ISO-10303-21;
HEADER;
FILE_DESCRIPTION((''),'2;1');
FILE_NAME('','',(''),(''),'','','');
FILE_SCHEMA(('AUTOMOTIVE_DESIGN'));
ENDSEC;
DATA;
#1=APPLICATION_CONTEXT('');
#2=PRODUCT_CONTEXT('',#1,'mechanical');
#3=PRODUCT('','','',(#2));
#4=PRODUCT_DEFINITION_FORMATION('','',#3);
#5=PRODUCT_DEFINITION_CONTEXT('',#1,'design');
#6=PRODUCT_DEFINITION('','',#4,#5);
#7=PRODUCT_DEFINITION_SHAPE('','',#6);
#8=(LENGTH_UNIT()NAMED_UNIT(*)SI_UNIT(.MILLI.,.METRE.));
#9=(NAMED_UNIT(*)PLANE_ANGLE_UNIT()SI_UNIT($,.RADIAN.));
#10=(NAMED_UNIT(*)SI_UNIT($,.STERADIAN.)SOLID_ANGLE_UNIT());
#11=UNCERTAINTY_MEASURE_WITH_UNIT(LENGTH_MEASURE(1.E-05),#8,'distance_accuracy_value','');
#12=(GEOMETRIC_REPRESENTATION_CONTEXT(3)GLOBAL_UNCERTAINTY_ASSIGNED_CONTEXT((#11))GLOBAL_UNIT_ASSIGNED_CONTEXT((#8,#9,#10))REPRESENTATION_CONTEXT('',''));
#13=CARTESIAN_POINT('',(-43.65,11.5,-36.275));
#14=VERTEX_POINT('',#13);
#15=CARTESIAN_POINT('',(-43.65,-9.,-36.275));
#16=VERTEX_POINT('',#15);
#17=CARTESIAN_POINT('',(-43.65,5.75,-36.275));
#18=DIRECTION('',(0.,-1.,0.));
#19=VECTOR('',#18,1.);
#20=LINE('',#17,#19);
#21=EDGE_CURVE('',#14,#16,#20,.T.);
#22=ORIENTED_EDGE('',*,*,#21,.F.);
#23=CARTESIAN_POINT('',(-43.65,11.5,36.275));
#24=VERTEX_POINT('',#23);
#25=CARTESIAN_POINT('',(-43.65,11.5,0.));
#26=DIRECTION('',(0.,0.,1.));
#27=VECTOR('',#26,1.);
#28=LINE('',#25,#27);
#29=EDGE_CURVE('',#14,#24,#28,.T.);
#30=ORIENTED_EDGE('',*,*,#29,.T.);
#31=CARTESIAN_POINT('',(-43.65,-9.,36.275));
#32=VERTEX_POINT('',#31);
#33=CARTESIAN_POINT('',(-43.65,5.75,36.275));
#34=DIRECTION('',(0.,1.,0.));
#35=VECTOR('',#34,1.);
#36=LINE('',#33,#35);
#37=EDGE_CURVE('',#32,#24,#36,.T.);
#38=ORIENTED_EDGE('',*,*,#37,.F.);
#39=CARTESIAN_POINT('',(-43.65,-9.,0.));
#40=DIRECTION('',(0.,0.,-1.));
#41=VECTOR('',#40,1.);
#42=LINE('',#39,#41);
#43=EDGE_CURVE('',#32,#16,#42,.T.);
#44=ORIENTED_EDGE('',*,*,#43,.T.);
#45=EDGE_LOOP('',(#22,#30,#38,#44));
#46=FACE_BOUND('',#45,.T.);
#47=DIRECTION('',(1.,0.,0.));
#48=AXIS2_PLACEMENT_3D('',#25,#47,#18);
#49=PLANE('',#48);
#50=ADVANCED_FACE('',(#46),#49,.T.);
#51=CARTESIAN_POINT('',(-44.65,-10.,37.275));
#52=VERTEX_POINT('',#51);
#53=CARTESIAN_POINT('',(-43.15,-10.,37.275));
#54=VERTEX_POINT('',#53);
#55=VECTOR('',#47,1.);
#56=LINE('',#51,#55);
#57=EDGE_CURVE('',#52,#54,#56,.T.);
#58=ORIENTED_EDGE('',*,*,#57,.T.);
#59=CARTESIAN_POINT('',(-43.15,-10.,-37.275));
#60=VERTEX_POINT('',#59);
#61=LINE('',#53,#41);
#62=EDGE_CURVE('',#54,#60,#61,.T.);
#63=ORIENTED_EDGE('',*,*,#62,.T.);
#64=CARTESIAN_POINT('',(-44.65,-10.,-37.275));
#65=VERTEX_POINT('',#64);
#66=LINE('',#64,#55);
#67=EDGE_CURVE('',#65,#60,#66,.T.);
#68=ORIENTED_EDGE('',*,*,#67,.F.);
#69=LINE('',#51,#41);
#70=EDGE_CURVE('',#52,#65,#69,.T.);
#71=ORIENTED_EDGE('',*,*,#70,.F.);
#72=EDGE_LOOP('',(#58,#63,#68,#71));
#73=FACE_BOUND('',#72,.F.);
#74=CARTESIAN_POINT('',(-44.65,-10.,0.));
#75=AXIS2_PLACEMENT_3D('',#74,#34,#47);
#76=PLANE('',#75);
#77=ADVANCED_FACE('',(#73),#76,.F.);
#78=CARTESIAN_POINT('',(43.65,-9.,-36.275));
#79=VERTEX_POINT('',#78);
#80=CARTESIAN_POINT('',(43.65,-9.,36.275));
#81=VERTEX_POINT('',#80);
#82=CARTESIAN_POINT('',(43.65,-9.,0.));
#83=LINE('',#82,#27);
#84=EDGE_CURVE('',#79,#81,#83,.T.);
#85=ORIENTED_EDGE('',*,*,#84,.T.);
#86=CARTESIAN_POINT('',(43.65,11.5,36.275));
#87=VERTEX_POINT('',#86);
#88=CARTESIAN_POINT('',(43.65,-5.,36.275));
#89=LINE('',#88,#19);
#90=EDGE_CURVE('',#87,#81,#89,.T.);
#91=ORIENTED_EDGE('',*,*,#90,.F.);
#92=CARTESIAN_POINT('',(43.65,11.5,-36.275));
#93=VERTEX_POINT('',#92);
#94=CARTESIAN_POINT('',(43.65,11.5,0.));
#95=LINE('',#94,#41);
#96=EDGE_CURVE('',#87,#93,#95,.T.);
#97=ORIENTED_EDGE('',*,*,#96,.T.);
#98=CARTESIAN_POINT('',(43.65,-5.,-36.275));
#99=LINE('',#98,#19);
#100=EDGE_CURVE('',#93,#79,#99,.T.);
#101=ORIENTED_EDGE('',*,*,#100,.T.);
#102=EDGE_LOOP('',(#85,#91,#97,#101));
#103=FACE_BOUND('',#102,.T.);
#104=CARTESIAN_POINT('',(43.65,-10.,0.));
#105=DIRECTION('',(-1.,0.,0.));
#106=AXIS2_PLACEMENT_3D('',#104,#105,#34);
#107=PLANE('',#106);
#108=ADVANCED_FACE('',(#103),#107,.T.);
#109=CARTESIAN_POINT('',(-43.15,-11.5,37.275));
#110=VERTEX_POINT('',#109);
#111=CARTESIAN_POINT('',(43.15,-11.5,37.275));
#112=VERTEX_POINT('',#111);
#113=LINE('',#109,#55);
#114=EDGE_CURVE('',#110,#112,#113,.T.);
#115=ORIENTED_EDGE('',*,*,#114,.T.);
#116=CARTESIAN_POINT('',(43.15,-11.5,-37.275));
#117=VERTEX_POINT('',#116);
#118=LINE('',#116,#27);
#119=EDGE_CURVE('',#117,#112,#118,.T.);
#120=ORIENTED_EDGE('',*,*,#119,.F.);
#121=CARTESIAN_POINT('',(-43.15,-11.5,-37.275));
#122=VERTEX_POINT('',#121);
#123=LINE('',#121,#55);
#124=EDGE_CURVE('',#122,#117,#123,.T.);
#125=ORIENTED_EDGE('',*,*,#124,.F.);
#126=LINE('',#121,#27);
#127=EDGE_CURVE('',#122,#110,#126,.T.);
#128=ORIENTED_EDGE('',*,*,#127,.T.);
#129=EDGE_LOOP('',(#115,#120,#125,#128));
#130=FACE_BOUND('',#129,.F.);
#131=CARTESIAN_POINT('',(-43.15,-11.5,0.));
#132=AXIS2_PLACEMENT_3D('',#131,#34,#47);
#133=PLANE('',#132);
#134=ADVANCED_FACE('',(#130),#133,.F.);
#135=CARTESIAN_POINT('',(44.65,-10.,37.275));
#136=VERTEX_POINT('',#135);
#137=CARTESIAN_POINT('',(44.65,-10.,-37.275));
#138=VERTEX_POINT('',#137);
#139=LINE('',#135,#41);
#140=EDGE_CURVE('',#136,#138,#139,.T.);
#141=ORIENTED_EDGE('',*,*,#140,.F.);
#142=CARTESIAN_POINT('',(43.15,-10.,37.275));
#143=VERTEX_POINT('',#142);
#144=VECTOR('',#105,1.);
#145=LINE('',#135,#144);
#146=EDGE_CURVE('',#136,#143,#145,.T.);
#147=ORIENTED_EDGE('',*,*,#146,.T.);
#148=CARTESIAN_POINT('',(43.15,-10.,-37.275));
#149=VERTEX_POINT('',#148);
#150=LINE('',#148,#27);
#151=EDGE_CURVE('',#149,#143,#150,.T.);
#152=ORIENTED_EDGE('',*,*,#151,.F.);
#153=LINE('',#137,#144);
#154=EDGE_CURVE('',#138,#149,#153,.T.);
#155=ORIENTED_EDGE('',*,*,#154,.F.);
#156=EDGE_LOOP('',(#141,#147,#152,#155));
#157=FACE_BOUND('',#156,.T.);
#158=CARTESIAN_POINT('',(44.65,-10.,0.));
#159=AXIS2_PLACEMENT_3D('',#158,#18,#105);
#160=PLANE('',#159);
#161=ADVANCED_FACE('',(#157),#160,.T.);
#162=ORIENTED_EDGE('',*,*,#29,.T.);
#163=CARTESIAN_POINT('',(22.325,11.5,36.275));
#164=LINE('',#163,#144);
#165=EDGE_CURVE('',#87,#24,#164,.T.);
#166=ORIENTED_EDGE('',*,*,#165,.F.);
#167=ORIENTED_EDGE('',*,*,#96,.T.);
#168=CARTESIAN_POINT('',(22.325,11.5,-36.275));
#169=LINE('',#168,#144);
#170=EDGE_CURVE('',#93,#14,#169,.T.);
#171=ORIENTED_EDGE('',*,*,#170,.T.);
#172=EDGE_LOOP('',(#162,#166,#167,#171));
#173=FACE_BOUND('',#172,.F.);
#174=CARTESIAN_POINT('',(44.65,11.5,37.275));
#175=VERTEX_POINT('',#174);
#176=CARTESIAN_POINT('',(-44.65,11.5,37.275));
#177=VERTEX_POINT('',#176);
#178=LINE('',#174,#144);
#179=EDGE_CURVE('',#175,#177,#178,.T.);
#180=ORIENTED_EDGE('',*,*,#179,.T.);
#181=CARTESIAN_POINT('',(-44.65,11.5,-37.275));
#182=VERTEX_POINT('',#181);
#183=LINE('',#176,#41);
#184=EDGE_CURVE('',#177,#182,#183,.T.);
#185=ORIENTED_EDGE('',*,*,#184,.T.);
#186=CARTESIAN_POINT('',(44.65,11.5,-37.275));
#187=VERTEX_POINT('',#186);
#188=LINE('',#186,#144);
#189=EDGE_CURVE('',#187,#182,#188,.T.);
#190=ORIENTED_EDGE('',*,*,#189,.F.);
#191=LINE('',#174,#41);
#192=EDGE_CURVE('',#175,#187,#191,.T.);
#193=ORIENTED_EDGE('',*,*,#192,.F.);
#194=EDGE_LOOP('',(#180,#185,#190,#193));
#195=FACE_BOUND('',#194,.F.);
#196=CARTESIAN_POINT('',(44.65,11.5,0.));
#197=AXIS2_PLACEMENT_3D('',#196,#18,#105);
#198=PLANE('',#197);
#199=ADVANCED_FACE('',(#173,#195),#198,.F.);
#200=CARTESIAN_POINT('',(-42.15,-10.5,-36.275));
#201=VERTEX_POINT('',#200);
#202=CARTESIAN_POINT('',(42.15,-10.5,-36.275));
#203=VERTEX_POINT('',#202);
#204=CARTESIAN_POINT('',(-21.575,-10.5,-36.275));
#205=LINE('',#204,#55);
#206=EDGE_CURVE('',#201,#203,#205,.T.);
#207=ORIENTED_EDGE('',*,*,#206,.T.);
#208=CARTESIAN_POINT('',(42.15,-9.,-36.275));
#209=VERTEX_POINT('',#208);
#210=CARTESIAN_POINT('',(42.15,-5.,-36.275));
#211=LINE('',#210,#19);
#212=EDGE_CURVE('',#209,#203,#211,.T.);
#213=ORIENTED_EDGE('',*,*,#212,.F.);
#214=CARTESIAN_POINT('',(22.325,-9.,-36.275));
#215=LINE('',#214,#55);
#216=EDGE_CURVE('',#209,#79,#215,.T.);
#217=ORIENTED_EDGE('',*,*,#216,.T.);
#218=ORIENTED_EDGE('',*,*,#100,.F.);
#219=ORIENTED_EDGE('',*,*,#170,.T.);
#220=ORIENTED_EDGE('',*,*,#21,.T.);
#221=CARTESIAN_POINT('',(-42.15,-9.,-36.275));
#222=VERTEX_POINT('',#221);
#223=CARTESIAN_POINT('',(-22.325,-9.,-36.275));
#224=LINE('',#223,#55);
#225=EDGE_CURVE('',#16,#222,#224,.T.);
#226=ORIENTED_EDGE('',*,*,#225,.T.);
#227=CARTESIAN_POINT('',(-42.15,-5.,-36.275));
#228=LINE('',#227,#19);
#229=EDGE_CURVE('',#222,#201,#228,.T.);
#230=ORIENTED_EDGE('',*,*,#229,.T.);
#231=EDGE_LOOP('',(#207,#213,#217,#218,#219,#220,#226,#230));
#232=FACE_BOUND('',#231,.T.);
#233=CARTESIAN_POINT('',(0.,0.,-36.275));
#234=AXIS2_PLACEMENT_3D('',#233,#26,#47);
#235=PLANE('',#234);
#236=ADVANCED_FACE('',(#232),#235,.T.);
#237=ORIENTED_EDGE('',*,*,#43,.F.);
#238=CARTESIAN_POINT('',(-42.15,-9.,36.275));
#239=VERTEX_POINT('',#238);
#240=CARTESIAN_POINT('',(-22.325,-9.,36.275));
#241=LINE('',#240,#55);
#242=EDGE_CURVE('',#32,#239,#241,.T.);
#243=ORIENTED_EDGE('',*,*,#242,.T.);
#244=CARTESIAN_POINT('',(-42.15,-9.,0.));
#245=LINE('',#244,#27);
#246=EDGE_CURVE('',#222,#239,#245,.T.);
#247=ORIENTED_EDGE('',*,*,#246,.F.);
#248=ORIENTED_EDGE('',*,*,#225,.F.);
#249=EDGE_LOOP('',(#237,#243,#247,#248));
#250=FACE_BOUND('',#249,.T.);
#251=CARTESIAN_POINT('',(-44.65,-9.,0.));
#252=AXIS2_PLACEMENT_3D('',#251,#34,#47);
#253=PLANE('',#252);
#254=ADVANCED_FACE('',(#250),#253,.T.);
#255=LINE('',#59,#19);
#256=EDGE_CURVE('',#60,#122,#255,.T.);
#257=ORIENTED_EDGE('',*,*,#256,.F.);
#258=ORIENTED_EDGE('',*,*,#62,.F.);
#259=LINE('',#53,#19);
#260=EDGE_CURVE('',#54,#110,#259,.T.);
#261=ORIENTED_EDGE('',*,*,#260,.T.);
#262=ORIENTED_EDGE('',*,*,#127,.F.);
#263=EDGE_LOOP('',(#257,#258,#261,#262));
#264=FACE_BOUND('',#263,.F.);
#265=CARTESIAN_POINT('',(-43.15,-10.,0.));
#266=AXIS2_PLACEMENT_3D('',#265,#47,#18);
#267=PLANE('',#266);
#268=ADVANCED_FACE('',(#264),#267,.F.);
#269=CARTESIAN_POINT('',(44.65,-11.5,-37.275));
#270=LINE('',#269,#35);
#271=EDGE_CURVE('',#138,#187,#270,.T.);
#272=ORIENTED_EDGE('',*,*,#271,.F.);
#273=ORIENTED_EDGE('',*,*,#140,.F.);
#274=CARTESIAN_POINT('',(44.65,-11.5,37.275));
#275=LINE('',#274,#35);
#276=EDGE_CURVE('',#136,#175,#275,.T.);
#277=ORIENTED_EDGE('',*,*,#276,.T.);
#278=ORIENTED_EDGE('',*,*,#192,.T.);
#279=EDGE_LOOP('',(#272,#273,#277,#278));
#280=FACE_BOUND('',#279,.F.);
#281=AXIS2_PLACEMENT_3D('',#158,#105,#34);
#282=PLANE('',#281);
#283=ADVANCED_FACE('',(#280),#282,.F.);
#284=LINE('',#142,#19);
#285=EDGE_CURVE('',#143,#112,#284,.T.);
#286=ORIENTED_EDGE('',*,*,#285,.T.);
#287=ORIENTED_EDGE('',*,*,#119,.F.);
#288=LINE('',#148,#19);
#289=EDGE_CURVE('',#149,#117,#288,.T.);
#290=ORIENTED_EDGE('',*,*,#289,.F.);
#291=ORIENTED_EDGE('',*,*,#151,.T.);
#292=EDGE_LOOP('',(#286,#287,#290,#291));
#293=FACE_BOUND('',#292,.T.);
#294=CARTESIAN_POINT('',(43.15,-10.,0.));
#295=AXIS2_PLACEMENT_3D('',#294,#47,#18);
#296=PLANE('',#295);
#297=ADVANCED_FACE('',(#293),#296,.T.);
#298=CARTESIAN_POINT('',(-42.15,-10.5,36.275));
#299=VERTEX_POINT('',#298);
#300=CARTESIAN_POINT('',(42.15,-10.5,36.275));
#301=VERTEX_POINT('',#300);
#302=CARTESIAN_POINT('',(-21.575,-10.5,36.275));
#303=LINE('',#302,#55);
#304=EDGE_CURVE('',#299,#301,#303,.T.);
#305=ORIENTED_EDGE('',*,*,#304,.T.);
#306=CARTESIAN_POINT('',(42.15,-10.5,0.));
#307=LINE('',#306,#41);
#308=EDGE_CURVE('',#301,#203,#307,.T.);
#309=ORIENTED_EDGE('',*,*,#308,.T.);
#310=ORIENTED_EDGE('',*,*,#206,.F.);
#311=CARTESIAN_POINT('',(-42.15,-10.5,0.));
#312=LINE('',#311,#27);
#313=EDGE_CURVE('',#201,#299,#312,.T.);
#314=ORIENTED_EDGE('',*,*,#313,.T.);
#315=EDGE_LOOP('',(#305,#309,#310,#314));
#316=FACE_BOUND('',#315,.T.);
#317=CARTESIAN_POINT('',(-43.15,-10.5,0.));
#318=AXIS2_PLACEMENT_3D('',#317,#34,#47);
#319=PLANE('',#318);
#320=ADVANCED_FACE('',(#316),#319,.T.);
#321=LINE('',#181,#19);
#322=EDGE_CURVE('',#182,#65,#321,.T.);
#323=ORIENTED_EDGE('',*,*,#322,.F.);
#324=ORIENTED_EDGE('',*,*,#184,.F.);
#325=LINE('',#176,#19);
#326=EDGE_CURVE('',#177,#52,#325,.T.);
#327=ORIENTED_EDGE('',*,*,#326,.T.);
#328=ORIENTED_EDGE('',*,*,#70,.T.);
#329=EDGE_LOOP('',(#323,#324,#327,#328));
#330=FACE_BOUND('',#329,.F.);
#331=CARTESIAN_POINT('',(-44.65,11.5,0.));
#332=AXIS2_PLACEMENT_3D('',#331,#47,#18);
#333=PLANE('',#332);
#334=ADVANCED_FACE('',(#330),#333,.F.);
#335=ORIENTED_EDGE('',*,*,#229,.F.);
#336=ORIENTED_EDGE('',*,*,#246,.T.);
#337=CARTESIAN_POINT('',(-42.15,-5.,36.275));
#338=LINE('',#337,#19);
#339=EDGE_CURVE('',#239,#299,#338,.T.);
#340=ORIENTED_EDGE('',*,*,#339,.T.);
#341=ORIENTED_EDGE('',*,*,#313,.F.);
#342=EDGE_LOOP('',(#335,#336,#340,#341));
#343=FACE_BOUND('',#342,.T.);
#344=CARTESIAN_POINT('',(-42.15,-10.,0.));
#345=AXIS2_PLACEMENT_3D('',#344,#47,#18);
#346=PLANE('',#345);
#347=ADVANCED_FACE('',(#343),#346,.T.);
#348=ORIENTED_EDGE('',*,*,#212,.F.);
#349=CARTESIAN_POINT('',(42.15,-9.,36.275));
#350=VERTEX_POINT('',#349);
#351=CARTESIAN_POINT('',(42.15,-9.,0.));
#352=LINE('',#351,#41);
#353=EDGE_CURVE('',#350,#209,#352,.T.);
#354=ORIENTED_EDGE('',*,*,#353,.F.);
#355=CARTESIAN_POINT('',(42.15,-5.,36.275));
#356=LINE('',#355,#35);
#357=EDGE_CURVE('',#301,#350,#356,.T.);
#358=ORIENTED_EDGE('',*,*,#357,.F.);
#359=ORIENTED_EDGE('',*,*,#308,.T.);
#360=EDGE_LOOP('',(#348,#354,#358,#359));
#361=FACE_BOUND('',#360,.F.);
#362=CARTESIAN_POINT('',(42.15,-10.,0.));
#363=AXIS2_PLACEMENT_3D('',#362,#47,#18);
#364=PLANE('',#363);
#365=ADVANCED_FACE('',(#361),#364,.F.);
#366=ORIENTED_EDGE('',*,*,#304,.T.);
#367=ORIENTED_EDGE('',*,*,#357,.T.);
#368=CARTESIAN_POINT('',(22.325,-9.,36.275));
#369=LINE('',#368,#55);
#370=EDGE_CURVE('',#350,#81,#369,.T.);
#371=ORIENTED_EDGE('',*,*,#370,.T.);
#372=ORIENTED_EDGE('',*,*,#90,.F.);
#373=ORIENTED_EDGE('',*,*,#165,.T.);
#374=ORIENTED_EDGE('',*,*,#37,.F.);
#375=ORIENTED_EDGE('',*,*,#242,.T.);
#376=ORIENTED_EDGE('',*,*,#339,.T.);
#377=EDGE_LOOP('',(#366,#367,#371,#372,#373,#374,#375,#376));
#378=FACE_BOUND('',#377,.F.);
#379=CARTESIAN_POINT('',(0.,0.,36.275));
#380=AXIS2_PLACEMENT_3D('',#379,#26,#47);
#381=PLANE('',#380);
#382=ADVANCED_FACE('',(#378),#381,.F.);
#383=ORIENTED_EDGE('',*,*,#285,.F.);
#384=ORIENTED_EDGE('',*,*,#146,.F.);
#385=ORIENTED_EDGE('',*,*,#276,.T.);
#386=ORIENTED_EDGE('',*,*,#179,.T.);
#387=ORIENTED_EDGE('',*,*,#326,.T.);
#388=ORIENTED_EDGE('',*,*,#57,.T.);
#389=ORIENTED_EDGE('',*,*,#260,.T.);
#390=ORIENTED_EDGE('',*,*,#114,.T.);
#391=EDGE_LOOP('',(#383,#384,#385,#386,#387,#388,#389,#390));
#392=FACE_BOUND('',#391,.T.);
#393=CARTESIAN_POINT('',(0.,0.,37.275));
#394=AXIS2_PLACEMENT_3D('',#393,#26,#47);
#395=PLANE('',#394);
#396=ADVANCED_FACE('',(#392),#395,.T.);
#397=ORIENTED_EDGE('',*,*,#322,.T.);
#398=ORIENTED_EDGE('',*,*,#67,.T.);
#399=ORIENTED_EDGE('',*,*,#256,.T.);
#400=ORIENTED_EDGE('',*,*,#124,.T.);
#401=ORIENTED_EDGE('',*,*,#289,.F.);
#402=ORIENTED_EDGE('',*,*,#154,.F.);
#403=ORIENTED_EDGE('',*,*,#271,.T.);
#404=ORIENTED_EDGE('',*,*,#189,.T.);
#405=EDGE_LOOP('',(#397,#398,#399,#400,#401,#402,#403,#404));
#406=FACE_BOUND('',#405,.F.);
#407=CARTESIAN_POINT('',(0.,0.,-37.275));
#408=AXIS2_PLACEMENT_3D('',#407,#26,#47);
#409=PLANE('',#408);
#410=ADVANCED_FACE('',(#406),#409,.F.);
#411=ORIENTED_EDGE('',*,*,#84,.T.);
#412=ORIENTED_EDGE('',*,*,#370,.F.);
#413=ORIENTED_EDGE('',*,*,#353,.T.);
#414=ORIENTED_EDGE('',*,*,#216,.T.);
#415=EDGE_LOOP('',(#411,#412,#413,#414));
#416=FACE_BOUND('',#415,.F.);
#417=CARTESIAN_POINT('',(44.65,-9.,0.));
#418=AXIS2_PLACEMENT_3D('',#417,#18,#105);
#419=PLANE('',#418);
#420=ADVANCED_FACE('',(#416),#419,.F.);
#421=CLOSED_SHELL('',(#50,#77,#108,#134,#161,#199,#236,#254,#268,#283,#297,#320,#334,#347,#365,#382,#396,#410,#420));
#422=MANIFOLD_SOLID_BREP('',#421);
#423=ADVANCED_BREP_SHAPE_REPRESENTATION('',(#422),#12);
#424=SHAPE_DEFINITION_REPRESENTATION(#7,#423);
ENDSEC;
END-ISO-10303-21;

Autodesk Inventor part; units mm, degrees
ref_plane "YZ Plane" through (0, 0, 0) normal (1, 0, 0) x (0, 1, 0)
ref_plane "XZ Plane" through (0, 0, 0) normal (0, 1, 0) x (-1, 0, 0)
ref_plane "XY Plane" through (0, 0, 0) normal (0, 0, 1) x (1, 0, 0)
sketch "Sketch1" plane through (0, 0, 0) normal (0, 0, 1) x (1, 0, 0)
  line L0 (-43.15, -11.5) -> (44.65, -11.5)
  line L1 (44.65, -11.5) -> (44.65, 11.5)
  line L2 (44.65, 11.5) -> (-44.65, 11.5)
  line L3 (-44.65, 11.5) -> (-44.65, -11.5)
  line L4 (-44.65, -11.5) -> (44.65, 11.5) construction
  line L5 (44.65, -11.5) -> (-44.65, 11.5) construction
  line L6 (-44.65, -11.5) -> (-44.65, -10)
  line L7 (-44.65, -10) -> (-43.15, -10)
  line L8 (-43.15, -10) -> (-43.15, -11.5)
  line L9 (0, 0) -> (0, -4.954)
  line L10 (44.65, -11.5) -> (-44.65, -11.5)
  line L11 (44.65, 11.5) -> (44.65, -11.5)
  line L12 (44.65, -11.5) -> (-44.65, 11.5) construction
  line L13 (44.65, -11.5) -> (44.65, -10)
  line L14 (44.65, -10) -> (43.15, -10)
  line L15 (43.15, -10) -> (43.15, -11.5)
  dimension "d0" = 89.3
  dimension "d1" = 23
  dimension "d3" = 1.5
extrude "Extrusion1" add sketch "Sketch1" along normal mid plane 74.55 contours L8 L7 L3 L2 L1 L14 L15 L0
shell "Shell1" thickness 1 removed faces 1 at (14.8833, 11.5, -12.425)
properties part number "soap-collector"
